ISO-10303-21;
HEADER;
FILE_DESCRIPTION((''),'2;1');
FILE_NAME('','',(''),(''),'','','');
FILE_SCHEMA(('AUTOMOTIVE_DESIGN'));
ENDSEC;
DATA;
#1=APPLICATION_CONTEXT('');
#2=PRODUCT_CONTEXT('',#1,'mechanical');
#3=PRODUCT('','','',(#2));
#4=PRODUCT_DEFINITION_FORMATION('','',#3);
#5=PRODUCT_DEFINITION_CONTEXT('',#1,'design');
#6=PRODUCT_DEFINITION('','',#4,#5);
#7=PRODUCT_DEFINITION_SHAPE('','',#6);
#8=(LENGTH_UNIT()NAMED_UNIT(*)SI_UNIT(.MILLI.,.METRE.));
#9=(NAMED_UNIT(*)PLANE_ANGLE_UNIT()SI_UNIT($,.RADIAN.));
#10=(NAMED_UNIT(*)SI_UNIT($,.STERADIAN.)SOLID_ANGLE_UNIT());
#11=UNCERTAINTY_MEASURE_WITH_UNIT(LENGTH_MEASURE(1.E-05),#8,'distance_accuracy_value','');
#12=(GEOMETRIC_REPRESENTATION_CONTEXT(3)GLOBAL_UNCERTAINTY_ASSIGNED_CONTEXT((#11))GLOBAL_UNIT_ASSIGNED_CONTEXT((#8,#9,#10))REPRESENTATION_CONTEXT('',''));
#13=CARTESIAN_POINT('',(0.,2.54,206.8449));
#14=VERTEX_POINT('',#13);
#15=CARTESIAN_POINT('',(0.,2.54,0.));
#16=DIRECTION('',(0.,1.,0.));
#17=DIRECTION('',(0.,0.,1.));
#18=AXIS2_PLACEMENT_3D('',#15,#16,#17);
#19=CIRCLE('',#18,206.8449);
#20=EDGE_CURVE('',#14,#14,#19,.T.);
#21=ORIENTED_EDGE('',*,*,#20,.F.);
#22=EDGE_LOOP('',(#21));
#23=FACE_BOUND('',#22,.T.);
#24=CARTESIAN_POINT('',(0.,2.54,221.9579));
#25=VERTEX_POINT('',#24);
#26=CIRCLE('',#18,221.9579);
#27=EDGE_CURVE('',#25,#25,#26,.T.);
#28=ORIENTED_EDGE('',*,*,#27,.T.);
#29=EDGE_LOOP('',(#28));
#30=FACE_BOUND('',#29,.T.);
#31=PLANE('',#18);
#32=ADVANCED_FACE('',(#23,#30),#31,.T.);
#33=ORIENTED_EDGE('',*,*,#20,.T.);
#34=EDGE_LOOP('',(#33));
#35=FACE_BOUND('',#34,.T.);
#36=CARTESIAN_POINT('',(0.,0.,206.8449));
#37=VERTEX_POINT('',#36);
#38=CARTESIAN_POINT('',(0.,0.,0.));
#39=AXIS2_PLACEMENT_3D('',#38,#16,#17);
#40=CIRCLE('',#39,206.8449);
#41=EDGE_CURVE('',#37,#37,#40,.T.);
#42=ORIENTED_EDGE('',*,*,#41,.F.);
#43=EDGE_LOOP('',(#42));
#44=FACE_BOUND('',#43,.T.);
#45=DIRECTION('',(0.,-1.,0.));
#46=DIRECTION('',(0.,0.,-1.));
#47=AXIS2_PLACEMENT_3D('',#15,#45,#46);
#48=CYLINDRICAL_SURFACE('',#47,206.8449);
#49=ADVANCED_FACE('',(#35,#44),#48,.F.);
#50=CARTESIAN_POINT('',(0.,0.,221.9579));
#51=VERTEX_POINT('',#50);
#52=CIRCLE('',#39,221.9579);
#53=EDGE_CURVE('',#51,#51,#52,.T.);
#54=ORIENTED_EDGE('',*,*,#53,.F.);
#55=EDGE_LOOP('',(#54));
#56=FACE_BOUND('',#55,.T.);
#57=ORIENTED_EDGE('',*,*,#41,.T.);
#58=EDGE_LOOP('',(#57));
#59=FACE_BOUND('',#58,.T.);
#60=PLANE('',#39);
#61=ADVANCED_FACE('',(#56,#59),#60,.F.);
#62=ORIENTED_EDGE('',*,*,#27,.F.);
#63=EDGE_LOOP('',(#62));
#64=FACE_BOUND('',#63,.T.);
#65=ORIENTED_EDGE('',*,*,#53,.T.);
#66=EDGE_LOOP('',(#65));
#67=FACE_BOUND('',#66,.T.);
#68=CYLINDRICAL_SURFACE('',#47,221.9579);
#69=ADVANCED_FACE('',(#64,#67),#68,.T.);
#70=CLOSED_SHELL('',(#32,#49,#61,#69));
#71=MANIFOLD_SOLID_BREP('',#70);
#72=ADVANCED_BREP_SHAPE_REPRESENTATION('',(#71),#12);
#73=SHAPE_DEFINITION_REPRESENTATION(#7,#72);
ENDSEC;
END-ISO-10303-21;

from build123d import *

# Parameters (mm, degrees)
SKETCH1_R           = 221.9579
SKETCH1_R_2         = 206.8449
BOSS_EXTRUDE1_DEPTH = 2.54


with BuildPart() as part:
    # Sketch1 → Boss-Extrude1 (new body)
    with BuildSketch(Plane(origin=(0, 0, 0), x_dir=(1, 0, 0), z_dir=(0, 1, 0))):
        with Locations(Location((0, 0, 0), (0, 0, 270))):
            Circle(SKETCH1_R)
        with Locations(Location((0, 0, 0), (0, 0, 270))):
            Circle(SKETCH1_R_2, mode=Mode.SUBTRACT)
    extrude(amount=BOSS_EXTRUDE1_DEPTH)


solid = part.part
